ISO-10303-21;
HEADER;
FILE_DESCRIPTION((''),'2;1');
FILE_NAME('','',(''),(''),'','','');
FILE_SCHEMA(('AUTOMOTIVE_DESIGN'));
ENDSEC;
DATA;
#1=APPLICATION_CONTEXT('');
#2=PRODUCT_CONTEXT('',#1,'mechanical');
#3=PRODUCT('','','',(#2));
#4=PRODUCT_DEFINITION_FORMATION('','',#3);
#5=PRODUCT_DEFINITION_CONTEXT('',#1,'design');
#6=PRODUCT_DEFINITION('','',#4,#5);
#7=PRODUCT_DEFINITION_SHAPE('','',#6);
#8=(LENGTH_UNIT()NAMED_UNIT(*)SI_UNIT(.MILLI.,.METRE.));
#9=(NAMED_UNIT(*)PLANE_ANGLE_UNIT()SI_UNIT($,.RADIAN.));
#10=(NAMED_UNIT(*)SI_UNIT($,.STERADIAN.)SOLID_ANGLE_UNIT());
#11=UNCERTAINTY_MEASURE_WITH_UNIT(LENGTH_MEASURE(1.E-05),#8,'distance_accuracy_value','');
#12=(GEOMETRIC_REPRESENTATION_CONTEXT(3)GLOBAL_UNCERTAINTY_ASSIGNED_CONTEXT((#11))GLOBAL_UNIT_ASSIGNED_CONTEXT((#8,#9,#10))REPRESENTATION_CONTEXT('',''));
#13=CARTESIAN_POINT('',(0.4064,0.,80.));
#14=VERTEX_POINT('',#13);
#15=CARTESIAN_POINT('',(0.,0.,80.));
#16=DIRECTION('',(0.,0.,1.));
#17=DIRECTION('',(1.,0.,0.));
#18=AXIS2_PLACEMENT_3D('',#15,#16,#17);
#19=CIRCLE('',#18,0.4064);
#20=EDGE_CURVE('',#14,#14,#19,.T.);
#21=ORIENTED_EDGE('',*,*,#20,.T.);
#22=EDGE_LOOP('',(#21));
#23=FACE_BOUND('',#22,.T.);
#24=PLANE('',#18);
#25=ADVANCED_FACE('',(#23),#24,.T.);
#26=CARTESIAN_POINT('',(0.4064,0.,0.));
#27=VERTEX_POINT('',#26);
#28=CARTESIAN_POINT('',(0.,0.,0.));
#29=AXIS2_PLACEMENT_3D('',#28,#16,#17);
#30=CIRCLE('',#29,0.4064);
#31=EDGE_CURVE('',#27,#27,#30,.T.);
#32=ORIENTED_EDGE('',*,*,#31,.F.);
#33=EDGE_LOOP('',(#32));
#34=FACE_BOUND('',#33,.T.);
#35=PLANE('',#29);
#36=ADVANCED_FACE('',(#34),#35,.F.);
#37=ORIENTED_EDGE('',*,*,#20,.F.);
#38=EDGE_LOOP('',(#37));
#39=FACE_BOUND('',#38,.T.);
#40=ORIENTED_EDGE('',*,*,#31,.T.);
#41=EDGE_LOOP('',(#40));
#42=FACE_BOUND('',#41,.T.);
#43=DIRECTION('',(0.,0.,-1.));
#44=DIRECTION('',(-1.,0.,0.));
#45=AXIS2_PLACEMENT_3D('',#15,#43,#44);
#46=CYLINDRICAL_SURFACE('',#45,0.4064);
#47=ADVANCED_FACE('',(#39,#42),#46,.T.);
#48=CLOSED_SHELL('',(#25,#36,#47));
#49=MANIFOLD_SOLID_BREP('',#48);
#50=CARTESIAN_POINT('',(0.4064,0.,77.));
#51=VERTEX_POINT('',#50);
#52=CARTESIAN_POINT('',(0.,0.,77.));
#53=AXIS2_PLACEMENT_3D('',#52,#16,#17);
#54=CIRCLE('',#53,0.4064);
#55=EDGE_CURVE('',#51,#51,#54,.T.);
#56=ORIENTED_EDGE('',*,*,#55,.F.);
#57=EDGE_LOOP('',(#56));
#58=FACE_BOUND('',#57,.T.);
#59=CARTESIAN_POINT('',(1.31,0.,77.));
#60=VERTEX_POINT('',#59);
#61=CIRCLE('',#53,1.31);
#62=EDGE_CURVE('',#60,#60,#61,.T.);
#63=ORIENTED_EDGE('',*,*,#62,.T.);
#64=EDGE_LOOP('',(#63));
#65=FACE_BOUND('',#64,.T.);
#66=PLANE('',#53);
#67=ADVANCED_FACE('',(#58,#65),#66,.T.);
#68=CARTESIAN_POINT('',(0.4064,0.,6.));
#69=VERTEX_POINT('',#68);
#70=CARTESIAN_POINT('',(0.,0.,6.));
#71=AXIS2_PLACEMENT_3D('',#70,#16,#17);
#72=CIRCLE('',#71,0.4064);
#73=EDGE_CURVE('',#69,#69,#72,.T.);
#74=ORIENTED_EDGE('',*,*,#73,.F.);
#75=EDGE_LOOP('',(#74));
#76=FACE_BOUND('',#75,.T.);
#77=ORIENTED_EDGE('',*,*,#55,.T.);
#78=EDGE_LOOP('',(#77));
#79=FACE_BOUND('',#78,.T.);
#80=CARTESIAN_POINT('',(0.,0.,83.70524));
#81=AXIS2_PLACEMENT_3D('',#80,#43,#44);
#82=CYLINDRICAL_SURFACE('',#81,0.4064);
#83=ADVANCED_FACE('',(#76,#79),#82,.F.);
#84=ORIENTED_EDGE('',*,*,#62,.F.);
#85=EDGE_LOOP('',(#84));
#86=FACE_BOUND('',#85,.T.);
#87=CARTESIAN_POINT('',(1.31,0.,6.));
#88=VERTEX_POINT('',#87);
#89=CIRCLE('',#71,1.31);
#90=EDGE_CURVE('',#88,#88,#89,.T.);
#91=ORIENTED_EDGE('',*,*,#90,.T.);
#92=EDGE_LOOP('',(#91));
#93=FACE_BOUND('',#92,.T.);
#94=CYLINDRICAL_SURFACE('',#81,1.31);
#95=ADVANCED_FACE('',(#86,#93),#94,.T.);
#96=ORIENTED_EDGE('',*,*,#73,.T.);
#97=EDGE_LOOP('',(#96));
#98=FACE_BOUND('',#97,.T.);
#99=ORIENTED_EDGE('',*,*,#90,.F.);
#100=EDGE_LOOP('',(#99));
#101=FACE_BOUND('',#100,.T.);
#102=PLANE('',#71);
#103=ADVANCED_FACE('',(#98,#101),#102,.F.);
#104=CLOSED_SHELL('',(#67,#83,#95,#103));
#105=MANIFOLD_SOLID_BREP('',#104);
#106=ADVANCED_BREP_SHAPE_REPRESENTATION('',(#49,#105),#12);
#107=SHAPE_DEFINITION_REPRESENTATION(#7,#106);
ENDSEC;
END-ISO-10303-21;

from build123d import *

# Parameters (mm, degrees)
WIRE_SKETCH_R     = 0.4064
COPPER_DEPTH      = 80
INSULATION_START  = 6
WIRE_SKETCH_3_R   = 1.31
WIRE_SKETCH_3_R_2 = 0.4064
INSULATION_DEPTH  = 71


with BuildPart() as part:
    # wire_sketch → copper (new body)
    with BuildSketch(Plane.XY):
        Circle(WIRE_SKETCH_R)
    extrude(amount=COPPER_DEPTH)


with BuildPart() as body_2:
    # wire_sketch<3> → insulation (new body)
    with BuildSketch(Plane.XY.offset(INSULATION_START)):
        Circle(WIRE_SKETCH_3_R)
        Circle(WIRE_SKETCH_3_R_2, mode=Mode.SUBTRACT)
    extrude(amount=INSULATION_DEPTH)


solid = Compound([part.part, body_2.part])
